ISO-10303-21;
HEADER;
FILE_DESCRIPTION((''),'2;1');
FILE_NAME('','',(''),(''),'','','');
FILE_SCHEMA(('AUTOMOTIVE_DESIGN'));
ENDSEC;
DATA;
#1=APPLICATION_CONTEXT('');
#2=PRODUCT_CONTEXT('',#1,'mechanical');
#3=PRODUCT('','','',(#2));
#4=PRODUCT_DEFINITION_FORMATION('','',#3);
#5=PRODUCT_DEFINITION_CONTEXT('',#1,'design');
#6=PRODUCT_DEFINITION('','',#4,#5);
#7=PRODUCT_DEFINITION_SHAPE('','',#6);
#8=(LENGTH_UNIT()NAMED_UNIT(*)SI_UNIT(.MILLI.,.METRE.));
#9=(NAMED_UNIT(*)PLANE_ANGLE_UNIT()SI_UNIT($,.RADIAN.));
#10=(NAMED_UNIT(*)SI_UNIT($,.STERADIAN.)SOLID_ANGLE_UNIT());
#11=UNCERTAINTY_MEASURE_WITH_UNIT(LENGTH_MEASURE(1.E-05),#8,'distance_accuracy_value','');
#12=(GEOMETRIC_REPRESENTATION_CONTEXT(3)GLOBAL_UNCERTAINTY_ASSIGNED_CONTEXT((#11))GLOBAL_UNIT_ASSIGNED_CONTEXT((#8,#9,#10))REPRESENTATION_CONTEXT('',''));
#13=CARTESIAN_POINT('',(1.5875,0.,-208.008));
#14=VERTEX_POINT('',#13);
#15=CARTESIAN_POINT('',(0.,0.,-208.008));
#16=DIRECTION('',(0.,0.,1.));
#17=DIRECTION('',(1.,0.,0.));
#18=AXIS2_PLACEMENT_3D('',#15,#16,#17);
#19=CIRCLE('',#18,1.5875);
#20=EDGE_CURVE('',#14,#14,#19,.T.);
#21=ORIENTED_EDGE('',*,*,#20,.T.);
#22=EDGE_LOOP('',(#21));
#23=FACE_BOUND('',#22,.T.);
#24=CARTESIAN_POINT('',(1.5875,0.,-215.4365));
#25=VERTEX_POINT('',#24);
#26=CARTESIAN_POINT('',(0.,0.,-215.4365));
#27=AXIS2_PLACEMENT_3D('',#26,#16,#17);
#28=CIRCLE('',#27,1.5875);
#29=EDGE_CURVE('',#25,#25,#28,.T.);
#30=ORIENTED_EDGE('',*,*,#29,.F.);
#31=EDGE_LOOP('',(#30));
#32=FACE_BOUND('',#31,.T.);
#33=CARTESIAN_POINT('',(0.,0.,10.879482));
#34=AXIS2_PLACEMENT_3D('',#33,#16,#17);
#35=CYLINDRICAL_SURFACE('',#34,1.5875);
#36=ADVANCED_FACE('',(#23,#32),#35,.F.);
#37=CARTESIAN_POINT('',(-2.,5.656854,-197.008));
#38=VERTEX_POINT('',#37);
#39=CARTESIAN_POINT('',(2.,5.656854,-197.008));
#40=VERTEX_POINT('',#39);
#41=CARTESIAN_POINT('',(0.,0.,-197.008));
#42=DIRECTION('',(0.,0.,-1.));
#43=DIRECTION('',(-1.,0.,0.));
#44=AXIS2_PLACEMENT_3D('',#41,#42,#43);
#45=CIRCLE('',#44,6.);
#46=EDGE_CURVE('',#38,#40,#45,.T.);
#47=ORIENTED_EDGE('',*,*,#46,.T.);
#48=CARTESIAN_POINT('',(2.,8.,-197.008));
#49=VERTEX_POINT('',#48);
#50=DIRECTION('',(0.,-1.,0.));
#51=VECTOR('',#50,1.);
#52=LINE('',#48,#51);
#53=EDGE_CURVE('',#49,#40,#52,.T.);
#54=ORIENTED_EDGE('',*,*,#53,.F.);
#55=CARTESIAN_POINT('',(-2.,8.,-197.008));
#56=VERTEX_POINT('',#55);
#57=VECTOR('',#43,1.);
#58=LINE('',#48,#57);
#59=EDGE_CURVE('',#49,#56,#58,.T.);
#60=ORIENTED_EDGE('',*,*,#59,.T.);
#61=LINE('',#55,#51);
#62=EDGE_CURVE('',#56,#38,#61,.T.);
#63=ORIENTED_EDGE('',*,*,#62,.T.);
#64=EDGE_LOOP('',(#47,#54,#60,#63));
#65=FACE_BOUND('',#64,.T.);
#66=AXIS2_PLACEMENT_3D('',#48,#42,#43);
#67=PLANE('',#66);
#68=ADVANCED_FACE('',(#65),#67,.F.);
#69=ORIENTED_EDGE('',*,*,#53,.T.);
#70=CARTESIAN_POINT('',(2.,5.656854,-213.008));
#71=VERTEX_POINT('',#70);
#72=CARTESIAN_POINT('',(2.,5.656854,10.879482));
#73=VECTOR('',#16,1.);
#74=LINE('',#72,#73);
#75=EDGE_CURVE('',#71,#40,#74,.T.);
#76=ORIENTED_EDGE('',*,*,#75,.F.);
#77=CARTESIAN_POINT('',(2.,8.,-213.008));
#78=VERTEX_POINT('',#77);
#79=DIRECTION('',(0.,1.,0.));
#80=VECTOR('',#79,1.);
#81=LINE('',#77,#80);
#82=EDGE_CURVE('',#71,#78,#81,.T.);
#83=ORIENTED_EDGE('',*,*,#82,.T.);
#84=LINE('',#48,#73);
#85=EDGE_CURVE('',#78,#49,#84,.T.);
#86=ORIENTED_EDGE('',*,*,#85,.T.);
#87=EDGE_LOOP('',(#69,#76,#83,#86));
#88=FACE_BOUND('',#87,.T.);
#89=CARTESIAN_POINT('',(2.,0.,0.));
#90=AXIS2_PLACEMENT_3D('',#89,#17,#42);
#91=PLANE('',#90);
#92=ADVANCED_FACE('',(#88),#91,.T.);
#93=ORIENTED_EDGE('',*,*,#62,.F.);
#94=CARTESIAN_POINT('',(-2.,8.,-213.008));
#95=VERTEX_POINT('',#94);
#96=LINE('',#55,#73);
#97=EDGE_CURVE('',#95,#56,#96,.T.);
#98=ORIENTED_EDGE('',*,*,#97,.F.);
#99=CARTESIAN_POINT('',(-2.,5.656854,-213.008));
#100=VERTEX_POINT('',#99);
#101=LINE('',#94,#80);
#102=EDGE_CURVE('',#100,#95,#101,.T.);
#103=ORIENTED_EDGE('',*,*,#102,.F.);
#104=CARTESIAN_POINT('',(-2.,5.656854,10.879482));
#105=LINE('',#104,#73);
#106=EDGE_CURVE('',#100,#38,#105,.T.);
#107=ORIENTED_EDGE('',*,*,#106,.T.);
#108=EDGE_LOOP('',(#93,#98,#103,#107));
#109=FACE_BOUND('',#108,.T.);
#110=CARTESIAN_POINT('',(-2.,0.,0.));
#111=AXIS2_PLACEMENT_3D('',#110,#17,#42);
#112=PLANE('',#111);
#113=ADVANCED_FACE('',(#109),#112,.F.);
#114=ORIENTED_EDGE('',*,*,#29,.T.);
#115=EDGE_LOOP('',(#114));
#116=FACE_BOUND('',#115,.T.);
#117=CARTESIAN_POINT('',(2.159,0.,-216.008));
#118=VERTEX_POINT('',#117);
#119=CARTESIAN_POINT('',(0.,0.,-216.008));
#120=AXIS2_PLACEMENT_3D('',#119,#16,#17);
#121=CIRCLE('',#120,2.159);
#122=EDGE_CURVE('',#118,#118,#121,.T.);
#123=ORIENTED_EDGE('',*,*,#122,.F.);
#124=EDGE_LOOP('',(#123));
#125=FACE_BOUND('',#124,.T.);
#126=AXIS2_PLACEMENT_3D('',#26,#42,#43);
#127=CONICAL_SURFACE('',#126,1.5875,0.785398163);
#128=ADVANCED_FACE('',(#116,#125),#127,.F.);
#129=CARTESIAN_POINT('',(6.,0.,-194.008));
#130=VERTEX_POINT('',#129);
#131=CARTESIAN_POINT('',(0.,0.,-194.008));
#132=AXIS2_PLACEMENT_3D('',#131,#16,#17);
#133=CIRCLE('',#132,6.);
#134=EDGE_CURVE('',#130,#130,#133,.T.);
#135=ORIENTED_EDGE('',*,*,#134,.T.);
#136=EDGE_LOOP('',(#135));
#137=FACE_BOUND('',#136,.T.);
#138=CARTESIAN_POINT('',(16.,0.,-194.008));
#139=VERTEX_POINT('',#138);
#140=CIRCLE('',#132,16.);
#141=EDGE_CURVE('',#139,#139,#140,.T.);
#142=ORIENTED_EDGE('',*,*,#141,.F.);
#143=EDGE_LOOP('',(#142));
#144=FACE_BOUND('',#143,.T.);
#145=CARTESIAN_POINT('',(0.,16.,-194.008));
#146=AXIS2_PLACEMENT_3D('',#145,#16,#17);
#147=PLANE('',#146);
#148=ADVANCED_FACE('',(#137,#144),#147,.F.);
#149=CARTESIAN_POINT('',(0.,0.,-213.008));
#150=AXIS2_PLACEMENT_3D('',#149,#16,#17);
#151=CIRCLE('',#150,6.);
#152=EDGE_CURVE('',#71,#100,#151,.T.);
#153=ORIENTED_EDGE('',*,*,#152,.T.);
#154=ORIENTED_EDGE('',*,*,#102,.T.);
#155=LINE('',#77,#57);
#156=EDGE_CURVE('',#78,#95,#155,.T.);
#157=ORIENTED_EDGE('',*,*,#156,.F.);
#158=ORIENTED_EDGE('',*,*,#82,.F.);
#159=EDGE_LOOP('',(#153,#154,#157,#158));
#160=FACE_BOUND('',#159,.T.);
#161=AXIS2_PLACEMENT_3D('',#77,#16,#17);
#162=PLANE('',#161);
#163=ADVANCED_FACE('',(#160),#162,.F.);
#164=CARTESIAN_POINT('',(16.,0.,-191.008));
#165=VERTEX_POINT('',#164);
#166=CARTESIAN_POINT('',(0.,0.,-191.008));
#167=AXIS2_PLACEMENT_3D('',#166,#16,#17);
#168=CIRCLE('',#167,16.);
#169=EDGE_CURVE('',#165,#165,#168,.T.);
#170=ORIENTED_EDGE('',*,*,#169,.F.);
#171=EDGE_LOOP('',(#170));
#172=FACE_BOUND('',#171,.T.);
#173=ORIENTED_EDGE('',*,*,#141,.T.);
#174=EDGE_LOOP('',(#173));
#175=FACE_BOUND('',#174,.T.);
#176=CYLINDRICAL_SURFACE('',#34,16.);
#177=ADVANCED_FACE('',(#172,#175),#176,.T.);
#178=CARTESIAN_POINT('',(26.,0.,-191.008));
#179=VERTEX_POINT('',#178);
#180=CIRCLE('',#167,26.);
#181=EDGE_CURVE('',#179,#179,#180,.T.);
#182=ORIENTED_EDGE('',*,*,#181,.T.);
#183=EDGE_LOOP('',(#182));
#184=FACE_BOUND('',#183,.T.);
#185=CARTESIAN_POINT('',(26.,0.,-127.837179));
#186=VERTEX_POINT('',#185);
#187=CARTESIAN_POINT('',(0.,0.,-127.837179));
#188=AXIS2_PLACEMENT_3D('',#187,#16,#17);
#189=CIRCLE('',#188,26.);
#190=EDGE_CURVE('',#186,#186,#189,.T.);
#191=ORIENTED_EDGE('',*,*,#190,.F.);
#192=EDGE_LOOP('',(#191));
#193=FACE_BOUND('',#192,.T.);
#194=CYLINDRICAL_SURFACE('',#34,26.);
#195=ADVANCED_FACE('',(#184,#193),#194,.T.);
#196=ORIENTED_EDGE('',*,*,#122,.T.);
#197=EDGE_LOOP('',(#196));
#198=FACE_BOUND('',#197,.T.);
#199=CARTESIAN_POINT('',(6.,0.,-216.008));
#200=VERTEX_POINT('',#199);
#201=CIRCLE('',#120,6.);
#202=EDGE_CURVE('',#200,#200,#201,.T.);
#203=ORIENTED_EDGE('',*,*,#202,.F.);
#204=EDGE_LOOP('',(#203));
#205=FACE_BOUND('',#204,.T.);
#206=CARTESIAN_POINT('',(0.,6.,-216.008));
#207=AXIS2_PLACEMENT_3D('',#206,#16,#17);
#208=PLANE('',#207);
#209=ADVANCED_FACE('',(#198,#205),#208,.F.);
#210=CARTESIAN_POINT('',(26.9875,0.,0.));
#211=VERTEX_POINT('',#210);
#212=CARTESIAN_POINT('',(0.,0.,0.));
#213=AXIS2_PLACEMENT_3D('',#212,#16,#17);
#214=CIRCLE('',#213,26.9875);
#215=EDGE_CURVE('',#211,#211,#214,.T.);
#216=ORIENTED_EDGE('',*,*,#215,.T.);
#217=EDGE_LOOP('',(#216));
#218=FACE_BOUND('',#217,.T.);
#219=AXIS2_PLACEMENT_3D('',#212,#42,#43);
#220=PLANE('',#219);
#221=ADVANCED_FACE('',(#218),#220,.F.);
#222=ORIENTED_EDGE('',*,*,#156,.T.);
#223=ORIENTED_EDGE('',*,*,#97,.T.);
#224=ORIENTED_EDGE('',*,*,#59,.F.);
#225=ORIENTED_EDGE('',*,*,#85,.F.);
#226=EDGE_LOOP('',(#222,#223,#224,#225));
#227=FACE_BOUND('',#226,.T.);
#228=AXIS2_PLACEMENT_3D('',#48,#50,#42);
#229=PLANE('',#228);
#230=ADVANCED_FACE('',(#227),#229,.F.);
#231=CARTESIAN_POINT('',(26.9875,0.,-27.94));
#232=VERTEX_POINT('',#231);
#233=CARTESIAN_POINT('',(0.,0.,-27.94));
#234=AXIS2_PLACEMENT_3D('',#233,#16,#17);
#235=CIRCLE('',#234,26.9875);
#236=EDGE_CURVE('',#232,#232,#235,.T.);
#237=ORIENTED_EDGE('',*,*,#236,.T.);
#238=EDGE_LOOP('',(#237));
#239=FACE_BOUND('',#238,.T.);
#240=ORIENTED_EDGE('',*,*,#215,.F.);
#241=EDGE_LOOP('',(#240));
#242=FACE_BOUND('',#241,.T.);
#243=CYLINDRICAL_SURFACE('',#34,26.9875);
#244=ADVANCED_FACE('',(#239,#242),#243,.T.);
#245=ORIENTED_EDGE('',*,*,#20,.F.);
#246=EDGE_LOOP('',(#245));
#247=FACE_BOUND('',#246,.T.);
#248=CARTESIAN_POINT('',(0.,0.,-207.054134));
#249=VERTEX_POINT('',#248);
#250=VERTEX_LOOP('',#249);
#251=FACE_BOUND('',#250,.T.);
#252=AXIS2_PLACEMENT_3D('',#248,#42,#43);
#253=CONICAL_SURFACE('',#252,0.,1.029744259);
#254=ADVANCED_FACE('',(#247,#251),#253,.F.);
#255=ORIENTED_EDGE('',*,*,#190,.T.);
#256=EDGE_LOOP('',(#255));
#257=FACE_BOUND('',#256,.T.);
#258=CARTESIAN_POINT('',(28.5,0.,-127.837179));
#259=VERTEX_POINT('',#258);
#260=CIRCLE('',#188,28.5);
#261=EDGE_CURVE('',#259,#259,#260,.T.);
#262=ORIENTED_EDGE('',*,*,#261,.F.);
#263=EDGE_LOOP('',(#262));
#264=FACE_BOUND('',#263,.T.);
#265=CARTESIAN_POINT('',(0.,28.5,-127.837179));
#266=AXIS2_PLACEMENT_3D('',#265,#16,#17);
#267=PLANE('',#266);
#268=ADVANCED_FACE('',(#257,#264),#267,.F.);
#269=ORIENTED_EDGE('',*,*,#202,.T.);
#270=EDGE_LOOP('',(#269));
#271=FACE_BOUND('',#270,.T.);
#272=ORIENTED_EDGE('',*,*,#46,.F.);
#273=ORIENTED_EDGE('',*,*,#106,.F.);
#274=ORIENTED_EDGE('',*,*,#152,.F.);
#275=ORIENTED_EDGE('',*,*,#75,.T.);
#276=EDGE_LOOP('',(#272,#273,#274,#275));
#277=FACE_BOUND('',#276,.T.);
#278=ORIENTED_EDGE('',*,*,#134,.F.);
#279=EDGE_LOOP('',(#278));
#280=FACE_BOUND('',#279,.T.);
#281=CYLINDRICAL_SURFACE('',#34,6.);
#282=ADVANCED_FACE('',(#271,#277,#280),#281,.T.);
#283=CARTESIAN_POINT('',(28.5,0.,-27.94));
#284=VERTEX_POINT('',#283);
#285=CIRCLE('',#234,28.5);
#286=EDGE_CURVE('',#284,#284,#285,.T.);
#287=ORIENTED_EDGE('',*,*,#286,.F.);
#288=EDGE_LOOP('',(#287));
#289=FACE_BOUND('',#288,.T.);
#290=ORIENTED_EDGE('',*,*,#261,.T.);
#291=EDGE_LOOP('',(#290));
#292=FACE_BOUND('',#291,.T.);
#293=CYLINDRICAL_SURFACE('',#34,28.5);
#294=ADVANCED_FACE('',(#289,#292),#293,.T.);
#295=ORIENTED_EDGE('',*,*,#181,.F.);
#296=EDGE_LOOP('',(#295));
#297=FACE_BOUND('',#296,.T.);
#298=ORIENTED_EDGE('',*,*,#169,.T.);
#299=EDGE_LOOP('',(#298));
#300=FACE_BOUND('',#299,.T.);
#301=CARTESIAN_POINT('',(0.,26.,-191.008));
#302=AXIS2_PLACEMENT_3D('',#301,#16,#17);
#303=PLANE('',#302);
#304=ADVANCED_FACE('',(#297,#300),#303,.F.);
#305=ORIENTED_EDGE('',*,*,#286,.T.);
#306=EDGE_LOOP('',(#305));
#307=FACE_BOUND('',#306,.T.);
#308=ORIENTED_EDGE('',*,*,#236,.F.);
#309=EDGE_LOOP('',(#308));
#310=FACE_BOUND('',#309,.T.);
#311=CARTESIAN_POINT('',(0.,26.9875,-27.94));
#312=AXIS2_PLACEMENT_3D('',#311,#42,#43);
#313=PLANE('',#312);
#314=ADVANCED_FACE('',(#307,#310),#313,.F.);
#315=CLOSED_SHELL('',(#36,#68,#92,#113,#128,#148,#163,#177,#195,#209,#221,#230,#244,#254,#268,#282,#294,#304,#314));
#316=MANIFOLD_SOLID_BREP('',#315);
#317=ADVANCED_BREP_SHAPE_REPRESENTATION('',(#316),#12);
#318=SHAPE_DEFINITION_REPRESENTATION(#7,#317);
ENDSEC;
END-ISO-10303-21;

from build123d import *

# Parameters (mm, degrees)
SKETCH2_W           = 16
SKETCH2_H           = 3.081282867
BOSS_EXTRUDE1_DEPTH = 2


with BuildPart() as part:
    # Sketch1 → Revolve1 (revolve)
    with BuildSketch(Plane(origin=(0, 0, 0), x_dir=(0, 0, -1), z_dir=(1, 0, 0)), mode=Mode.PRIVATE) as revolve1_sk:
        Polygon((0, 0), (207.054133767, 0), (208.008, 1.5875), (215.4365, 1.5875), (216.008, 2.159), (216.008, 6), (194.008, 6), (194.008, 16), (191.008, 16), (191.008, 26), (127.837178898, 26), (127.837178898, 28.5), (27.94, 28.5), (27.94, 26.9875), (0, 26.9875), align=None)
    revolve(revolve1_sk.sketch.rotate(Axis((0, 0, 10.8794825), (0, 0, -1)), 90), axis=Axis((0, 0, 10.8794825), (0, 0, -1)))

    # Sketch2 → Boss-Extrude1 (add, symmetric)
    with BuildSketch(Plane(origin=(0, 0, 0), x_dir=(0, 0, -1), z_dir=(1, 0, 0))):
        with Locations((205.008, 6.459358567)):
            Rectangle(SKETCH2_W, SKETCH2_H)
    extrude(amount=BOSS_EXTRUDE1_DEPTH, both=True)


solid = part.part
